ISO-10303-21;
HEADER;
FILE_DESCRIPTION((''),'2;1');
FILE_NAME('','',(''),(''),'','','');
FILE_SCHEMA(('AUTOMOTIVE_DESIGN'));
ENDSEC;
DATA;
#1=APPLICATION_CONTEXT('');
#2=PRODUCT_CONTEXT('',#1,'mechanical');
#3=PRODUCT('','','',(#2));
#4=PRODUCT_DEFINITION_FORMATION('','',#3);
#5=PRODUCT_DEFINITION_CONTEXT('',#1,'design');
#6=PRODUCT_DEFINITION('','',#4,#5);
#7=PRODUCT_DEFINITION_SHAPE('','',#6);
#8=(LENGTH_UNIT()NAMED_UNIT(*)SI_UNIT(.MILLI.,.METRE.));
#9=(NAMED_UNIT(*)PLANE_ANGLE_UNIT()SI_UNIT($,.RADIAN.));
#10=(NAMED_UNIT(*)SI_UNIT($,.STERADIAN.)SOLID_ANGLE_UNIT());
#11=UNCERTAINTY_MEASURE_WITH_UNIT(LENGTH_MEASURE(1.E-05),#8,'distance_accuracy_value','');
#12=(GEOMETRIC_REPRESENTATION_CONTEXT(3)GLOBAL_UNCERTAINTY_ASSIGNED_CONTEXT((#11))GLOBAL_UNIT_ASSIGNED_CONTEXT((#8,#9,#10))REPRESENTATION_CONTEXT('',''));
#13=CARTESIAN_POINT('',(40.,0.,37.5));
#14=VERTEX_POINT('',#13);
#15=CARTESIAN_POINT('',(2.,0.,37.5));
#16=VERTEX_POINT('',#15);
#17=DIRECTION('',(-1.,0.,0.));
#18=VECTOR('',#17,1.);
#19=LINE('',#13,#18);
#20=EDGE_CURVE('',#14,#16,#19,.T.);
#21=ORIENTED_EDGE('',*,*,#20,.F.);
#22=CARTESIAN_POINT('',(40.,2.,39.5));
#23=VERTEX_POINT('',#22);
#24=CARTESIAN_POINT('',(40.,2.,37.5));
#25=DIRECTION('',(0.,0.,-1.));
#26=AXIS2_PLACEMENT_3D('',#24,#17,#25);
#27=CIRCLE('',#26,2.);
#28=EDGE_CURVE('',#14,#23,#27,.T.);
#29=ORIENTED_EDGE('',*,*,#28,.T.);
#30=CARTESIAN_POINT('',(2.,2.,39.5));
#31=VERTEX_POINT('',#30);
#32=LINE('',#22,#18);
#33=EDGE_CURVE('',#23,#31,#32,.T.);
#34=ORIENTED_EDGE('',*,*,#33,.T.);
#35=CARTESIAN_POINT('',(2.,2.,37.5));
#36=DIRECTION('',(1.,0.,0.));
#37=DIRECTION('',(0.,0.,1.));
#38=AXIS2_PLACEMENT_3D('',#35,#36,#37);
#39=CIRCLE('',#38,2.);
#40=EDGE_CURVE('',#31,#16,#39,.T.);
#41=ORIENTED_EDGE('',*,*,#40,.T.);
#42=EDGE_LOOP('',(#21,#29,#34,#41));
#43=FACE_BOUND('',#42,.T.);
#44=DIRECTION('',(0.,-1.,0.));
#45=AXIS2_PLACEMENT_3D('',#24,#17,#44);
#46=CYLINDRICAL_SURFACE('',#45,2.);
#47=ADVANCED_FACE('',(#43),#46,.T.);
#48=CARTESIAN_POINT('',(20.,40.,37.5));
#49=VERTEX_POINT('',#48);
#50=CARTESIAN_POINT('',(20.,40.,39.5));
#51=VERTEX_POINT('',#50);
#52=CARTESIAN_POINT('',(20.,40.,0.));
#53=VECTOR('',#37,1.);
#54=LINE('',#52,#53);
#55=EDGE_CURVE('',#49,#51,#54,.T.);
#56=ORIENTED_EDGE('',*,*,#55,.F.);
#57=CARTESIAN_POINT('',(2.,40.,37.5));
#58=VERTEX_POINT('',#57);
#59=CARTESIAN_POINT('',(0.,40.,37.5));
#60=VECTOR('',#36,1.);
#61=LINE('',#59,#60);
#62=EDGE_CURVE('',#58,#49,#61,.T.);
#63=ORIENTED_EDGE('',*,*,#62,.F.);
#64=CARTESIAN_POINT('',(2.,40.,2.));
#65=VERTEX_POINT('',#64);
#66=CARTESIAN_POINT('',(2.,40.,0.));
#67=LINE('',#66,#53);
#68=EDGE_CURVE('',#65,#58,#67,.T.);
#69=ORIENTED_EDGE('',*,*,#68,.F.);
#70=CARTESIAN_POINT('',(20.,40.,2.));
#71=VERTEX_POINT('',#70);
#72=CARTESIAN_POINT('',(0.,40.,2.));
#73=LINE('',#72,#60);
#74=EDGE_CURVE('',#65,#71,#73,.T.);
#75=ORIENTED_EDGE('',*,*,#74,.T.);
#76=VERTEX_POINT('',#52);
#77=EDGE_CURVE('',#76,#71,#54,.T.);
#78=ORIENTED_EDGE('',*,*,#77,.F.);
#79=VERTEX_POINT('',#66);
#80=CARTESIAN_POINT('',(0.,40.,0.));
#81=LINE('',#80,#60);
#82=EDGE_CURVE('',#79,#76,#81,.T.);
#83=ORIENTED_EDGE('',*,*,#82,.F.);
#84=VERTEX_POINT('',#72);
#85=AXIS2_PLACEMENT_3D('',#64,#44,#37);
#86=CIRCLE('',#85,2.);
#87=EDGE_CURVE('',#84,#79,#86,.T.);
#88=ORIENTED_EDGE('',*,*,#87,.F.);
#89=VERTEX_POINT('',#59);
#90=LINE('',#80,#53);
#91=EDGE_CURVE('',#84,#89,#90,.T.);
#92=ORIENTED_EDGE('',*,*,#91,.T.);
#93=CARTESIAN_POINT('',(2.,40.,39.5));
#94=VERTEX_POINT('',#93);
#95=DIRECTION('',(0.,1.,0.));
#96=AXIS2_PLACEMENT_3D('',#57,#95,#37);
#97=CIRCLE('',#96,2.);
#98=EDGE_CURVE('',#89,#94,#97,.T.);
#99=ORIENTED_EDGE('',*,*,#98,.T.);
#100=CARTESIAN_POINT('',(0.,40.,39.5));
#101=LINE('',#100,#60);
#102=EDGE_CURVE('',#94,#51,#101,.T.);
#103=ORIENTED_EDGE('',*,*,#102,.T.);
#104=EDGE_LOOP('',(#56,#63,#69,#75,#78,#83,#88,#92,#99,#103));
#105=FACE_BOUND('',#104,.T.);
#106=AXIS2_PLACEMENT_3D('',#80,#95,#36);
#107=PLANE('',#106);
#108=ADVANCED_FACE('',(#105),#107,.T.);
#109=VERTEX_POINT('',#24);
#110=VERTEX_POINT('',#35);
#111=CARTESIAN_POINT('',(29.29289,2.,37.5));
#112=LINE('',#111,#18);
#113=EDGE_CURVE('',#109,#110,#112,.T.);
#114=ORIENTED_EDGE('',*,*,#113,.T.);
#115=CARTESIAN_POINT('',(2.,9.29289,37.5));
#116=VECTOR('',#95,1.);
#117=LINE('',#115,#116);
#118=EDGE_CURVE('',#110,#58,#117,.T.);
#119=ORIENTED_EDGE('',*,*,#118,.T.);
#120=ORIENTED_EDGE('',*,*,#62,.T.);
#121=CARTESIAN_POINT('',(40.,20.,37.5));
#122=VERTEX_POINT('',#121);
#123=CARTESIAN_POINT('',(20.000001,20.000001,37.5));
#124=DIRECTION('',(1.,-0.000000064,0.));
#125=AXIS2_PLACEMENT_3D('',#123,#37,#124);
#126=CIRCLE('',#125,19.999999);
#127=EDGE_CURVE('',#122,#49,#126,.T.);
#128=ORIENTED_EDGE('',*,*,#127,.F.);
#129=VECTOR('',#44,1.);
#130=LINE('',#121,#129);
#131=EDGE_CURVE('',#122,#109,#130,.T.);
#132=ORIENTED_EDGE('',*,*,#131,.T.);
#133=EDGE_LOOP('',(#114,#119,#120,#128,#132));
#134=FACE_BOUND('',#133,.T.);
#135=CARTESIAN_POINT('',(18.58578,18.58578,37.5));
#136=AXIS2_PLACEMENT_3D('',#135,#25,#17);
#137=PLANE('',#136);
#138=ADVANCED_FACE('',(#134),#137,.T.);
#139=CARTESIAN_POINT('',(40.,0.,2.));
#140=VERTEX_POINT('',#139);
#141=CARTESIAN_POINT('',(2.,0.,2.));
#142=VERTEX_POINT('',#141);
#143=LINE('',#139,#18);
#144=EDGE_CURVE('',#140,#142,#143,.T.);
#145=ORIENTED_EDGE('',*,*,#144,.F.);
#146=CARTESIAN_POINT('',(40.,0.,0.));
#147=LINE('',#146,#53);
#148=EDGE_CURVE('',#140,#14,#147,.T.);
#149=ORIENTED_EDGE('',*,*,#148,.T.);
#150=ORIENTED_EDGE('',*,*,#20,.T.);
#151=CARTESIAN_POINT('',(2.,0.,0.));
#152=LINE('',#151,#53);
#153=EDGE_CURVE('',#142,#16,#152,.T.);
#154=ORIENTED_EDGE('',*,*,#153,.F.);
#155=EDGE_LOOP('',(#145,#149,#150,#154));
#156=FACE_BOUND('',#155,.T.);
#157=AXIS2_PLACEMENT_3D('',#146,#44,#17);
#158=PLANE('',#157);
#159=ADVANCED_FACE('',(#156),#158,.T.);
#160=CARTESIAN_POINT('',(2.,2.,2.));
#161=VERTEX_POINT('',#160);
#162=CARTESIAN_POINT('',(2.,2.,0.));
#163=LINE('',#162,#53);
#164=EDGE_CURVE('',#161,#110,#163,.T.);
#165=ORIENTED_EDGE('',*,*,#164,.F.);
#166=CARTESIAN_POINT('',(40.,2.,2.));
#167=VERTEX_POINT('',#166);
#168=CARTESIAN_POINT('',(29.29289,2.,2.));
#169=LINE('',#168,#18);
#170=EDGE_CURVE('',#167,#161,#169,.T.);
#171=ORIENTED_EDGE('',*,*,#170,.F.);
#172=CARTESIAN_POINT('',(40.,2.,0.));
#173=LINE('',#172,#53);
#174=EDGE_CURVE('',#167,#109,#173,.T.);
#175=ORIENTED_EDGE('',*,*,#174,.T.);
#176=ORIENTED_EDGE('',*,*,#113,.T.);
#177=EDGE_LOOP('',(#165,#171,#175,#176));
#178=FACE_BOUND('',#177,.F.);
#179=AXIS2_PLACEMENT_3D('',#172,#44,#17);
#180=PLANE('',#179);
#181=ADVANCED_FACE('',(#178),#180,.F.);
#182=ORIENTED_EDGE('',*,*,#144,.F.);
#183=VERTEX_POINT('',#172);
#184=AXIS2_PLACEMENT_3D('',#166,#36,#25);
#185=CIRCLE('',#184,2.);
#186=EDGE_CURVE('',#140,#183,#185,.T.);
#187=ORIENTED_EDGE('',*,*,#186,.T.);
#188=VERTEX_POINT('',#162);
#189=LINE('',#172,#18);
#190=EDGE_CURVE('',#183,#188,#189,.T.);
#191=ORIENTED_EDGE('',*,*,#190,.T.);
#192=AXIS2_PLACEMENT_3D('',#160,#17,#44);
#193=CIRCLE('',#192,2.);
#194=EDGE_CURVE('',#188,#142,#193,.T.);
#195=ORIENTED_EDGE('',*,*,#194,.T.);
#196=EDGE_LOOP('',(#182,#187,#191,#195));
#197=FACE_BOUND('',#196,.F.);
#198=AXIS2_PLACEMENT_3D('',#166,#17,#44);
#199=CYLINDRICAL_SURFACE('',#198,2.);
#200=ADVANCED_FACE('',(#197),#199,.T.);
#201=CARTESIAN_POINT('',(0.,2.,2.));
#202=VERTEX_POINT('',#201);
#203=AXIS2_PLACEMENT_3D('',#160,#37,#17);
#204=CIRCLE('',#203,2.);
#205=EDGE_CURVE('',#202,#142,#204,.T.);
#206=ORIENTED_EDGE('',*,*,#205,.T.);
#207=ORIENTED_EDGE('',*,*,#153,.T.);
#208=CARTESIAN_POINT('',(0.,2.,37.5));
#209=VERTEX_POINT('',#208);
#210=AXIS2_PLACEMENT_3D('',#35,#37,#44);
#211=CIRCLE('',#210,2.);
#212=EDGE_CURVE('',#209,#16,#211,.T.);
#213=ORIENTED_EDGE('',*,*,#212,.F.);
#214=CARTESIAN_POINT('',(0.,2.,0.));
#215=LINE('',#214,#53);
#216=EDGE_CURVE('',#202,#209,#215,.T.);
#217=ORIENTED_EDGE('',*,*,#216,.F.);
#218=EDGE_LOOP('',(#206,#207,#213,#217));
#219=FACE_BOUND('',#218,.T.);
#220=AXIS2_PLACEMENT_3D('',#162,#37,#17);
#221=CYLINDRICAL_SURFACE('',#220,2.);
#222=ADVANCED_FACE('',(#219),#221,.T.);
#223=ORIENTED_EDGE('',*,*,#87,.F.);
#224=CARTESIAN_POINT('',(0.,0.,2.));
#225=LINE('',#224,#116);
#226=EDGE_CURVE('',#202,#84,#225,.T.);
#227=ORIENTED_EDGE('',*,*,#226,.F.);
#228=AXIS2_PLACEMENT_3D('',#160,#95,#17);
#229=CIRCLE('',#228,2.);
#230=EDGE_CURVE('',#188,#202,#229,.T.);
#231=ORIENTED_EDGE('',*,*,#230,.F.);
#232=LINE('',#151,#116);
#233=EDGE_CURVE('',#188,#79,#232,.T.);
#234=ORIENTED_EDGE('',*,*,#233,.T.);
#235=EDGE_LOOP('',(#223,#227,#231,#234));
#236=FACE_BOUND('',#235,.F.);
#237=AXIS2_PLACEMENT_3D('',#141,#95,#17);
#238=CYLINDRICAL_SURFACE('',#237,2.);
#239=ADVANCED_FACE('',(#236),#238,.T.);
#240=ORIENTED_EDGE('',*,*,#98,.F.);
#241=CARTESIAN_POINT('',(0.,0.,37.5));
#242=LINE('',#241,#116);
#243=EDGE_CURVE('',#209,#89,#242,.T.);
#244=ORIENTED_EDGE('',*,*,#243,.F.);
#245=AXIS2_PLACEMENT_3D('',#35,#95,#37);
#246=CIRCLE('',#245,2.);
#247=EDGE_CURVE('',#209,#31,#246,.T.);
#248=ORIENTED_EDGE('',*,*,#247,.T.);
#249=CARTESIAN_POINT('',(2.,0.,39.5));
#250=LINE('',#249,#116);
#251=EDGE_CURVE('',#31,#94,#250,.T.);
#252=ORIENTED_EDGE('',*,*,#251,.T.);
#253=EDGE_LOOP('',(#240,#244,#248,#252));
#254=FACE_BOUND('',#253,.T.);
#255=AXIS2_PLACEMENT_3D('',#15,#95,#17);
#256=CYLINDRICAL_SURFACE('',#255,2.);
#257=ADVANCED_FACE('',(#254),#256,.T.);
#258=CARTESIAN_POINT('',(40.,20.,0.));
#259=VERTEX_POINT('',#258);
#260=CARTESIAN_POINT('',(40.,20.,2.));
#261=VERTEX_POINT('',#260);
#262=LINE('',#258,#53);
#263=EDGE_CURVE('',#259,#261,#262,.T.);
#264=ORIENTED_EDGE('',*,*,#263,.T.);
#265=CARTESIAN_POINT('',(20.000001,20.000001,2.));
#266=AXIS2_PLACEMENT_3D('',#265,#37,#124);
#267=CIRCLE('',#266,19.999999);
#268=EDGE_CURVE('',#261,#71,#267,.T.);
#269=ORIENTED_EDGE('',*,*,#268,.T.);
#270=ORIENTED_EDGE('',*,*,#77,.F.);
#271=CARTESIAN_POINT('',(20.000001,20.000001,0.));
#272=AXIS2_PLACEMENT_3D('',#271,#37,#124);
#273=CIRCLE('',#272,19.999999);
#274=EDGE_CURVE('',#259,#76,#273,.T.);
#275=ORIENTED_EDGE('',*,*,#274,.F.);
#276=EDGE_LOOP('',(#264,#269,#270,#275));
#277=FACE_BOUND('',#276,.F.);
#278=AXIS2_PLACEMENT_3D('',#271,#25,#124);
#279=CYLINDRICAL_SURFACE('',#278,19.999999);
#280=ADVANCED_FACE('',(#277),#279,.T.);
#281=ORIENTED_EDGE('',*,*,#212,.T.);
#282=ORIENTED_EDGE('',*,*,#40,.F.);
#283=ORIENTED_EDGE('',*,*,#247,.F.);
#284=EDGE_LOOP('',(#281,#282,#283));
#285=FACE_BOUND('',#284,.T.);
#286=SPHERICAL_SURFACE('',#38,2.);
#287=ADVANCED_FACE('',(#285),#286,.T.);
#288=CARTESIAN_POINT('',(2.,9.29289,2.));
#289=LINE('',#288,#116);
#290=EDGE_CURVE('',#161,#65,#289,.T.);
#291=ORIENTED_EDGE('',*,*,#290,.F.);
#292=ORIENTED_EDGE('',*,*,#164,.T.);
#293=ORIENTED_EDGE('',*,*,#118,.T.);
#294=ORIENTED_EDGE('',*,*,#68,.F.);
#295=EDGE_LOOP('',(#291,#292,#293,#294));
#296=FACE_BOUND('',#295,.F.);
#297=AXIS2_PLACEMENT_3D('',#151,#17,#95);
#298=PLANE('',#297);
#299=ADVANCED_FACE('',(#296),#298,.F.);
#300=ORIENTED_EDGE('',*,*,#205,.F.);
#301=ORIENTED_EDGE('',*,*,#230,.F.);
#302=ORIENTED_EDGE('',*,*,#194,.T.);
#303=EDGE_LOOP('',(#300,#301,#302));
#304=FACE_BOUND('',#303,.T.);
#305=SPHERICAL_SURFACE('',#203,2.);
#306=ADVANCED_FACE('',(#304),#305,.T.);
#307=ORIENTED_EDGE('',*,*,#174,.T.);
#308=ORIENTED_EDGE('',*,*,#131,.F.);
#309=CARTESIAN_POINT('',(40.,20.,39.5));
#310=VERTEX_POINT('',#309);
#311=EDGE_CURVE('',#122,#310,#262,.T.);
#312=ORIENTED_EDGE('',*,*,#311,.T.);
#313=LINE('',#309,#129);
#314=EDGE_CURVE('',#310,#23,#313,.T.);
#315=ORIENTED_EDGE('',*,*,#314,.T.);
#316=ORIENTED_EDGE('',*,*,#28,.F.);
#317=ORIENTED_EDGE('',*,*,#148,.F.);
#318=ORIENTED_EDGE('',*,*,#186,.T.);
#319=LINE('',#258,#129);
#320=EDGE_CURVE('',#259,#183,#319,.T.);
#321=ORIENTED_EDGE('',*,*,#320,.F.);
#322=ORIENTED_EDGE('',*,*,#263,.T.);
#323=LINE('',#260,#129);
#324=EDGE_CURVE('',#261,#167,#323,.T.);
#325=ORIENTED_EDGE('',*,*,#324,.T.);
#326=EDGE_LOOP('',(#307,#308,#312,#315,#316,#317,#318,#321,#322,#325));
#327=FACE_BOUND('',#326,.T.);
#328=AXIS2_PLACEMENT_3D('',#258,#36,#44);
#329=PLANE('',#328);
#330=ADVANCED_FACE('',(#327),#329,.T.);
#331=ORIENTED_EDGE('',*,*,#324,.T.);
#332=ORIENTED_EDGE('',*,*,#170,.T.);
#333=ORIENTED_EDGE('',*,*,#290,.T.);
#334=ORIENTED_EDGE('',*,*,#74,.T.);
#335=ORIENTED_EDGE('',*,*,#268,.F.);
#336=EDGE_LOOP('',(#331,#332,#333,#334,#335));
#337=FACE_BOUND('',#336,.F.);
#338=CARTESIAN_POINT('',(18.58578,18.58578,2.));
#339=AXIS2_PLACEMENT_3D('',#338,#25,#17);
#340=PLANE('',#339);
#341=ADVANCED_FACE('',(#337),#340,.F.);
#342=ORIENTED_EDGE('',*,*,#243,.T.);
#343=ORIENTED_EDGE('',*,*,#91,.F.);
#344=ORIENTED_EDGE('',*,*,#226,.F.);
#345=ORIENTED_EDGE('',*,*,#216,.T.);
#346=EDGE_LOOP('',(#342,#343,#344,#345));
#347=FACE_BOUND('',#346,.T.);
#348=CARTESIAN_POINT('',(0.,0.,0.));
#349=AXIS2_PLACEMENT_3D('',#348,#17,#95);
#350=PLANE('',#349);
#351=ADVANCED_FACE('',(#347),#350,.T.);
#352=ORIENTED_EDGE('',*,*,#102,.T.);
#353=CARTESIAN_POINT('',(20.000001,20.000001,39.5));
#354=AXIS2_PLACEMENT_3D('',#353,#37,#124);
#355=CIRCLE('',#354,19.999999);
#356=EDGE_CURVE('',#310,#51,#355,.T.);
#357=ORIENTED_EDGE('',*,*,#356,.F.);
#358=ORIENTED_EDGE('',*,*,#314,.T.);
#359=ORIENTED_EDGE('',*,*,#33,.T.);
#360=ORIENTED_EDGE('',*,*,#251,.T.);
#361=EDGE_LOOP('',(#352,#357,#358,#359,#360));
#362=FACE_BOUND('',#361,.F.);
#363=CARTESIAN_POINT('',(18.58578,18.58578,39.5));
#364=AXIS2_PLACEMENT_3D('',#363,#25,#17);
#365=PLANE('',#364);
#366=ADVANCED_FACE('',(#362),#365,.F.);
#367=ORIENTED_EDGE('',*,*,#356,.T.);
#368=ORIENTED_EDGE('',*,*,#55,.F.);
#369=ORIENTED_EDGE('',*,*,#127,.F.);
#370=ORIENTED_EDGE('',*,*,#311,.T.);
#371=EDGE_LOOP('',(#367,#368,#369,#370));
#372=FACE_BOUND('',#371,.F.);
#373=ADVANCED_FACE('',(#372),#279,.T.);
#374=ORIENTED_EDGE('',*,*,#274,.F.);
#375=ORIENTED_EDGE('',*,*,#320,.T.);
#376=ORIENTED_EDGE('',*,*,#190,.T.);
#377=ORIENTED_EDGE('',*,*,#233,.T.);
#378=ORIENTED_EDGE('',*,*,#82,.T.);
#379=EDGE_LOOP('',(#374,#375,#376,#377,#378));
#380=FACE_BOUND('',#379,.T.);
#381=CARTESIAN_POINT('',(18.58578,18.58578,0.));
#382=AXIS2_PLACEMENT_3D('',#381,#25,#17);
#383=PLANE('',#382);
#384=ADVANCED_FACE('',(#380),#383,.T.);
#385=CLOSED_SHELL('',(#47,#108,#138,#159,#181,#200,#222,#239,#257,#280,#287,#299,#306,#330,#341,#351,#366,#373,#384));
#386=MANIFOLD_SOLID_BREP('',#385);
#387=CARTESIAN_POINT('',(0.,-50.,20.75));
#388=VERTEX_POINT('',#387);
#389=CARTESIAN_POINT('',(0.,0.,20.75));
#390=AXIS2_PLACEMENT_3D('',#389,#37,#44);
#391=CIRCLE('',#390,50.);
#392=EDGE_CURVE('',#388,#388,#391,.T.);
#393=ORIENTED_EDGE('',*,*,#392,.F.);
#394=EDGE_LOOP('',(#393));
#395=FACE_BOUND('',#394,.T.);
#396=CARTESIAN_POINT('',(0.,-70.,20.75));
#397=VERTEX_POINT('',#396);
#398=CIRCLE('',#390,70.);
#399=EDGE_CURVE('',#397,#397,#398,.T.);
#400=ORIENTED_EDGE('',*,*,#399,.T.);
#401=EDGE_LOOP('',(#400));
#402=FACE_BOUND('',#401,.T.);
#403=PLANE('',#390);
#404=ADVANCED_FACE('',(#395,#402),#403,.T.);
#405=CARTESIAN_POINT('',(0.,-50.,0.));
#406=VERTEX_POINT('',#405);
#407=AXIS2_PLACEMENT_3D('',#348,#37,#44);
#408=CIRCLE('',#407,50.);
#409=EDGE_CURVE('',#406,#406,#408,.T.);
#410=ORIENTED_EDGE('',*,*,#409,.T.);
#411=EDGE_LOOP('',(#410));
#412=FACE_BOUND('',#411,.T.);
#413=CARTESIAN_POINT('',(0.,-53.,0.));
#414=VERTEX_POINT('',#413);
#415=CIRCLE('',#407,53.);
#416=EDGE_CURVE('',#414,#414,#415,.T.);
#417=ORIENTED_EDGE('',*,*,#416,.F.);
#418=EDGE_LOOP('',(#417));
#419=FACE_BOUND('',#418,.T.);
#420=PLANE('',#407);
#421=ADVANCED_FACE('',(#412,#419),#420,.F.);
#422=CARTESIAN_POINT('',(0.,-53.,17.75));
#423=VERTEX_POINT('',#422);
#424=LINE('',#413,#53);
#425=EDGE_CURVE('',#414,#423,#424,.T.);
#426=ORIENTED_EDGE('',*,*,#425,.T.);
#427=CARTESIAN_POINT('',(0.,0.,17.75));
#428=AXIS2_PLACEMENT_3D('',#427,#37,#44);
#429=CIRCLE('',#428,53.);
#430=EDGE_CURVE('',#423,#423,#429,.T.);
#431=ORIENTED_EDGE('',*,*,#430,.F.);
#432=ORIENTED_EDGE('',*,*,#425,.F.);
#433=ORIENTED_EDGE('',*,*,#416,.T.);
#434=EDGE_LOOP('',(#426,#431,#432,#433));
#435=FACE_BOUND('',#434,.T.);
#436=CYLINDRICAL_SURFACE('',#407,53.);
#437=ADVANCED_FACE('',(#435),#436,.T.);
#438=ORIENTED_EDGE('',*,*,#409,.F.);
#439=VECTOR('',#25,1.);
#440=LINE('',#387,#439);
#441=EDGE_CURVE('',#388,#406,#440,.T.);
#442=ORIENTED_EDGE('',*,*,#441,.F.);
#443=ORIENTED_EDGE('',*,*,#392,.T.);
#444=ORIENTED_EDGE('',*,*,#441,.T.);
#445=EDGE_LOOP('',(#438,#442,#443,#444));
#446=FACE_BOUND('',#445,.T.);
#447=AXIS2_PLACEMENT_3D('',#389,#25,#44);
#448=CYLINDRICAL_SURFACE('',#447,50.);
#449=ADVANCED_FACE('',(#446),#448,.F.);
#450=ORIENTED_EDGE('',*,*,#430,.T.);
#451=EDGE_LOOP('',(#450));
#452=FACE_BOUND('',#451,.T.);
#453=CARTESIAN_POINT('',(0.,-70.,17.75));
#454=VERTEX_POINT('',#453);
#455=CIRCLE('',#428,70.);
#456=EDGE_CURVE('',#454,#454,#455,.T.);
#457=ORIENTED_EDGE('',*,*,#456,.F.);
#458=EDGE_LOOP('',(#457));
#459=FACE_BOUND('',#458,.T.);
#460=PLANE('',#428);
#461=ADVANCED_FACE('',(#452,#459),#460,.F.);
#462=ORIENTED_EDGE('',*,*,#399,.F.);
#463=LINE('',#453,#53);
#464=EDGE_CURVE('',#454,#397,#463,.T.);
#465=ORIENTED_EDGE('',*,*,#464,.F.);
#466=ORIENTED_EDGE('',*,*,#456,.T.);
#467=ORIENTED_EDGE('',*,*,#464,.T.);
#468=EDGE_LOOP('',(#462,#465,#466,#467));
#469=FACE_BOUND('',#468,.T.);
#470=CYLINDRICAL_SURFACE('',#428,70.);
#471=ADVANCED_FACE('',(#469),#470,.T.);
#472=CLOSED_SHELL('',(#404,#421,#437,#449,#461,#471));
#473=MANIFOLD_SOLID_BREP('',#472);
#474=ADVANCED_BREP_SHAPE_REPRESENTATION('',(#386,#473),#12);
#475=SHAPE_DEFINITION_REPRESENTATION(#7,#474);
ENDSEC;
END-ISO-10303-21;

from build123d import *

# Parameters (mm, degrees)
PAD_DEPTH   = 39.5
THICKNESS_T = -2
FILLET_R    = 2


with BuildPart() as edge:
    # Sketch → Pad (new body)
    with BuildSketch(Plane.XY):
        with BuildLine():
            Line((0, 0), (0, 40))
            Line((0, 40), (20, 40))
            ThreePointArc((40, 20), (34.142136, 34.142136), (20, 40))
            Line((40, 20), (40, 0))
            Line((40, 0), (0, 0))
        make_face()
    extrude(amount=PAD_DEPTH)

    # Thickness
    thickness_openings = [edge.faces().sort_by_distance(p)[0] for p in [
        (10, 40, 19.75),
        (34.142136, 34.142136, 19.75),
        (40, 10, 19.75),
    ]]
    offset(amount=THICKNESS_T, openings=thickness_openings)

    # Fillet
    fillet_edges = [edge.edges().sort_by_distance(p)[0] for p in [
        (20, 0, 39.5),
        (0, 20, 39.5),
        (0, 0, 19.75),
        (0, 20, 0),
        (20, 0, 0),
    ]]
    fillet(fillet_edges, radius=FILLET_R)


with BuildPart() as hole:
    # Sketch002 → Revolution (revolve)
    with BuildSketch(Plane.YZ):
        Polygon((-53, 0), (-53, 17.75), (-70, 17.75), (-70, 20.75), (-50, 20.75), (-50, 0), align=None)
    revolve(axis=Axis((0, 0, 0), (0, 0, 1)))


solid = Compound([edge.part, hole.part])
